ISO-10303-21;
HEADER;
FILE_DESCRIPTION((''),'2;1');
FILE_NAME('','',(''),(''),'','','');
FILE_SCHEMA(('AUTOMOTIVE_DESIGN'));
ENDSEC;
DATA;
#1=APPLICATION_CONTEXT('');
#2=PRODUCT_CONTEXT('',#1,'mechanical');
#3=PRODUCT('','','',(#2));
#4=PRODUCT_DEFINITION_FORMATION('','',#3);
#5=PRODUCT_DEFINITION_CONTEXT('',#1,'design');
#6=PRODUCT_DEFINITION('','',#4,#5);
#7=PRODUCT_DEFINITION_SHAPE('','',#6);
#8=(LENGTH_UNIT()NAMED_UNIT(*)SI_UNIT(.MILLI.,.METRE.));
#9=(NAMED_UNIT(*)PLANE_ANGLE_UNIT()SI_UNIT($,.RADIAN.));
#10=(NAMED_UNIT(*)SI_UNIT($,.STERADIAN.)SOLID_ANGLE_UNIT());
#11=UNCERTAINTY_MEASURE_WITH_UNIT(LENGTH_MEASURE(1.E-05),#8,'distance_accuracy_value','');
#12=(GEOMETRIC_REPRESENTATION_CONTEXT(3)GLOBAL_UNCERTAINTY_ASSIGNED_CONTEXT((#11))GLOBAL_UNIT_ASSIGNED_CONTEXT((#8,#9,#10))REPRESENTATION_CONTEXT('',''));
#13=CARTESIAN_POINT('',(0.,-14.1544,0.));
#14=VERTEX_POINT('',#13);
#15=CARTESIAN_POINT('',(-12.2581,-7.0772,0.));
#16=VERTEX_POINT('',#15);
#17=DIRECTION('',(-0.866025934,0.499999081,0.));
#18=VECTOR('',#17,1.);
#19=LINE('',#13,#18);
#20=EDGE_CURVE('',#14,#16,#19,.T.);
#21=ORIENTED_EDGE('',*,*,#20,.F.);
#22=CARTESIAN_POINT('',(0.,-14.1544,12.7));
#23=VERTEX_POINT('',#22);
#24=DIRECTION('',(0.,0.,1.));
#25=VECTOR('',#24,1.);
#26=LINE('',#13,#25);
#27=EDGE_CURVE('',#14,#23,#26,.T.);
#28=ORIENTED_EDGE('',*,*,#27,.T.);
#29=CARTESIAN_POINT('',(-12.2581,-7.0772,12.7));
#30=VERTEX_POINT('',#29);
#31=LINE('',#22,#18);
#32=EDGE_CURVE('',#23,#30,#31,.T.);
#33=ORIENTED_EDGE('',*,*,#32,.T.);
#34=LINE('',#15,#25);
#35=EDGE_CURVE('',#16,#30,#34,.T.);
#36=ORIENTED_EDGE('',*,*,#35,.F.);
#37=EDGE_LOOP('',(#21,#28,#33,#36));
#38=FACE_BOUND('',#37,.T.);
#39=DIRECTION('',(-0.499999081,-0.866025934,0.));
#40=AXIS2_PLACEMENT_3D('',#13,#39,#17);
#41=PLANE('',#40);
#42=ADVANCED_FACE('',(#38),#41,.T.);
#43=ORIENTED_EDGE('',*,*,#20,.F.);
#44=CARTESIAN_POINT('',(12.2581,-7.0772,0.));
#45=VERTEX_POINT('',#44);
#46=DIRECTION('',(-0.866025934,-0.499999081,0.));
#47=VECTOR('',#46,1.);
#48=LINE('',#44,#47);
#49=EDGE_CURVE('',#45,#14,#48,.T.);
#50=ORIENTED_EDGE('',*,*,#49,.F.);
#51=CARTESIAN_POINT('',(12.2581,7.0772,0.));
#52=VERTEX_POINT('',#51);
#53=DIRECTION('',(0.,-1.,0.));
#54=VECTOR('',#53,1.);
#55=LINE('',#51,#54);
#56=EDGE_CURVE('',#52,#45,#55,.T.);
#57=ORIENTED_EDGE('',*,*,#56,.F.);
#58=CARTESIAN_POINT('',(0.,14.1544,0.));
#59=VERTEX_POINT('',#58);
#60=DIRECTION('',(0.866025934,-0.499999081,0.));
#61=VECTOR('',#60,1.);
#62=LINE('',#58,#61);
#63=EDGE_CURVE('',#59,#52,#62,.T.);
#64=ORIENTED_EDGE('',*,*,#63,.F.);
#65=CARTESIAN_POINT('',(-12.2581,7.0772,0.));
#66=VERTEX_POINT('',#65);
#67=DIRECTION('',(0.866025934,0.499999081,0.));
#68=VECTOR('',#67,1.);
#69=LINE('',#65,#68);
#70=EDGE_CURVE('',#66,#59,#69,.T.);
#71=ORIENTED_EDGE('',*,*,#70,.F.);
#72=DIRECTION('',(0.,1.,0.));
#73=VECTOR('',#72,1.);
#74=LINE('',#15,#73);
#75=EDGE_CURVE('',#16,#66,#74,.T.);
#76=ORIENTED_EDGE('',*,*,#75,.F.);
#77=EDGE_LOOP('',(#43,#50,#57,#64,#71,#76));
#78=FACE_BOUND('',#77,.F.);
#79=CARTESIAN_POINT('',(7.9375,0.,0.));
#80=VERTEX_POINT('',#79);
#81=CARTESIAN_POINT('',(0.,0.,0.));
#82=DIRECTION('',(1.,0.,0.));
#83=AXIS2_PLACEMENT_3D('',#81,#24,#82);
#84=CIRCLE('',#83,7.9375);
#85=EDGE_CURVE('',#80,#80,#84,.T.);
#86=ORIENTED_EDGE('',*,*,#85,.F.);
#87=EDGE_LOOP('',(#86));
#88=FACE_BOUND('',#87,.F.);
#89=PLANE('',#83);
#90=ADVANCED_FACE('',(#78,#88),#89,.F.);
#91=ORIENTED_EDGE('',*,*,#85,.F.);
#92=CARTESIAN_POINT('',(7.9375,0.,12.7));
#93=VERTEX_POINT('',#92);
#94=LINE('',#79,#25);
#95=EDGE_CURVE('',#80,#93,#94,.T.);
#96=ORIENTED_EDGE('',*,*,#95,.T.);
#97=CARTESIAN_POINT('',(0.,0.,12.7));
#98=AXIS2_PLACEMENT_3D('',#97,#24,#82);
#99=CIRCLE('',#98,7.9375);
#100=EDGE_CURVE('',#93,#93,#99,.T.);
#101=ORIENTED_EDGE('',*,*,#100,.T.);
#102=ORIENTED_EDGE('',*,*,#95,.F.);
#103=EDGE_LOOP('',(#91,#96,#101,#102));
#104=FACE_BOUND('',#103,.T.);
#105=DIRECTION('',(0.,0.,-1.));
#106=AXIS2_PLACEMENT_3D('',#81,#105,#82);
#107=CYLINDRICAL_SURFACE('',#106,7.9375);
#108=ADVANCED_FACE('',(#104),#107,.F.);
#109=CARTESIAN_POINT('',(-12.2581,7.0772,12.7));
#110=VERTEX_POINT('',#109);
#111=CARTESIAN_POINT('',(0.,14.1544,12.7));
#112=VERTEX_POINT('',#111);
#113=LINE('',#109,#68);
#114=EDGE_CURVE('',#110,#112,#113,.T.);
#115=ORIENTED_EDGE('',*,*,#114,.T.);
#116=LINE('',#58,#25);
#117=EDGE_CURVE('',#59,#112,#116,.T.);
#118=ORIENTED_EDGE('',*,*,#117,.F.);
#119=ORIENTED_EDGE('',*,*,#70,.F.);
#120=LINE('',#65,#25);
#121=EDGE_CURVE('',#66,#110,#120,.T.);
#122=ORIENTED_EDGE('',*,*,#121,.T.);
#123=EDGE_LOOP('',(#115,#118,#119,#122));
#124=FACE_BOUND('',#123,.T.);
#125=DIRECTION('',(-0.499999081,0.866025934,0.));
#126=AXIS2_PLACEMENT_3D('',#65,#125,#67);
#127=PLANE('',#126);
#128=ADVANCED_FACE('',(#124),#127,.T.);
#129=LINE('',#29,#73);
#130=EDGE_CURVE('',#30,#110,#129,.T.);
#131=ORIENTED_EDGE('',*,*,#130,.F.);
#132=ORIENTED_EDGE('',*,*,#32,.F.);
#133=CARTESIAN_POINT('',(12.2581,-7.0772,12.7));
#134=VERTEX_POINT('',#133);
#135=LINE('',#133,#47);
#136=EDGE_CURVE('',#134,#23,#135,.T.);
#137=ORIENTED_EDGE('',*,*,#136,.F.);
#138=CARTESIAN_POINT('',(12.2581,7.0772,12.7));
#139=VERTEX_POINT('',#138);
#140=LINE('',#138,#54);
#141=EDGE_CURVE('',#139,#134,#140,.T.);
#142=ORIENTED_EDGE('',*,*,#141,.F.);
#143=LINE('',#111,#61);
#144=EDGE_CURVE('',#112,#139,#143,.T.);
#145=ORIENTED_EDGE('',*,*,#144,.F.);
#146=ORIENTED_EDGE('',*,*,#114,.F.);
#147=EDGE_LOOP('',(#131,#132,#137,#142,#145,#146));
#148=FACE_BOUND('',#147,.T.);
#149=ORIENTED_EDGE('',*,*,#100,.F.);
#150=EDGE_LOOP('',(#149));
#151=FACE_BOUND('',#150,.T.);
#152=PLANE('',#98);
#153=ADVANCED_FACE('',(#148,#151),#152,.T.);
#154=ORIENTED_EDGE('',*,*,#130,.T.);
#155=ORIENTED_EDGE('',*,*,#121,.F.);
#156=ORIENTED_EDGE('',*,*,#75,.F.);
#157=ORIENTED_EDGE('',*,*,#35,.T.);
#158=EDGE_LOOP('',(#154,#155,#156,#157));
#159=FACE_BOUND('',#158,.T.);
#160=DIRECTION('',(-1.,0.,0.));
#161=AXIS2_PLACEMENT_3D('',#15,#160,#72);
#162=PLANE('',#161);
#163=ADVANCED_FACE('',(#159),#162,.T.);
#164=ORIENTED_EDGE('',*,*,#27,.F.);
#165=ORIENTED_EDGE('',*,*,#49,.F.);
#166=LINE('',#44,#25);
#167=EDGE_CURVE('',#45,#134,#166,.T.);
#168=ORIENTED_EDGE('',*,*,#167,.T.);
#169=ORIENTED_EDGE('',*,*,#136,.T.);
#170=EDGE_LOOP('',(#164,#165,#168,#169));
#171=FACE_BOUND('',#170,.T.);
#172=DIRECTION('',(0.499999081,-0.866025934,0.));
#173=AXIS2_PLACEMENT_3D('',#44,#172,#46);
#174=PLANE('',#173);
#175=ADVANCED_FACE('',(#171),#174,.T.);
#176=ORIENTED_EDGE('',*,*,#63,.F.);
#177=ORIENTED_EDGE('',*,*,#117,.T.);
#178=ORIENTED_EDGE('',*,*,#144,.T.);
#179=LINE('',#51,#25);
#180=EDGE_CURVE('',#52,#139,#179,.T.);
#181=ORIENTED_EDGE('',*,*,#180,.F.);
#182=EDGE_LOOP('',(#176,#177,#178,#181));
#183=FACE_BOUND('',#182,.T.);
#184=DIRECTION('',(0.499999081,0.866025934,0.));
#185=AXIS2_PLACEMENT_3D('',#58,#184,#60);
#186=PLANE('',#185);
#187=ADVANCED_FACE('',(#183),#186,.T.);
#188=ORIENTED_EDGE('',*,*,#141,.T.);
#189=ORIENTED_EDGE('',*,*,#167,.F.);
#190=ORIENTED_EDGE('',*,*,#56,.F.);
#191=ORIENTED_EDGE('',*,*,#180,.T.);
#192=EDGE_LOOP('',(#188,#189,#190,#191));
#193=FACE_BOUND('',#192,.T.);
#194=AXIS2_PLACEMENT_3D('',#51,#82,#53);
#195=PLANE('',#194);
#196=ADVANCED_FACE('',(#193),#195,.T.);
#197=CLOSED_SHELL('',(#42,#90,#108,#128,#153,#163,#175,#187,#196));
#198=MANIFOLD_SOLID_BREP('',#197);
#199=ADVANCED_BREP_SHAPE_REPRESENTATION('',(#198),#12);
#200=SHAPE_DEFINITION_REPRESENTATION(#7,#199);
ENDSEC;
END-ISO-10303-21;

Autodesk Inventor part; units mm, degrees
ref_plane "YZ Plane" through (0, 0, 0) normal (1, 0, 0) x (0, 1, 0)
ref_plane "XZ Plane" through (0, 0, 0) normal (0, 1, 0) x (-1, 0, 0)
ref_plane "XY Plane" through (0, 0, 0) normal (0, 0, 1) x (1, 0, 0)
sketch "Sketch1" plane through (0, 0, 0) normal (0, 0, 1) x (1, 0, 0)
  circle A0 centre (0, 0) radius 7.9375
  line L0 (0, 14.1544) -> (12.2581, 7.0772)
  line L1 (12.2581, 7.0772) -> (12.2581, -7.0772)
  line L2 (12.2581, -7.0772) -> (0, -14.1544)
  line L3 (0, -14.1544) -> (-12.2581, -7.0772)
  line L4 (-12.2581, -7.0772) -> (-12.2581, 7.0772)
  line L5 (-12.2581, 7.0772) -> (0, 14.1544)
  dimension "d0" = 15.875
extrude "Extrusion1" add sketch "Sketch1" along normal blind 12.7
thread "Thread1" size "5/8-11 UNC" class "2B" standard "ANSI Unified Screw Threads" full length
properties part number ".625nut"
